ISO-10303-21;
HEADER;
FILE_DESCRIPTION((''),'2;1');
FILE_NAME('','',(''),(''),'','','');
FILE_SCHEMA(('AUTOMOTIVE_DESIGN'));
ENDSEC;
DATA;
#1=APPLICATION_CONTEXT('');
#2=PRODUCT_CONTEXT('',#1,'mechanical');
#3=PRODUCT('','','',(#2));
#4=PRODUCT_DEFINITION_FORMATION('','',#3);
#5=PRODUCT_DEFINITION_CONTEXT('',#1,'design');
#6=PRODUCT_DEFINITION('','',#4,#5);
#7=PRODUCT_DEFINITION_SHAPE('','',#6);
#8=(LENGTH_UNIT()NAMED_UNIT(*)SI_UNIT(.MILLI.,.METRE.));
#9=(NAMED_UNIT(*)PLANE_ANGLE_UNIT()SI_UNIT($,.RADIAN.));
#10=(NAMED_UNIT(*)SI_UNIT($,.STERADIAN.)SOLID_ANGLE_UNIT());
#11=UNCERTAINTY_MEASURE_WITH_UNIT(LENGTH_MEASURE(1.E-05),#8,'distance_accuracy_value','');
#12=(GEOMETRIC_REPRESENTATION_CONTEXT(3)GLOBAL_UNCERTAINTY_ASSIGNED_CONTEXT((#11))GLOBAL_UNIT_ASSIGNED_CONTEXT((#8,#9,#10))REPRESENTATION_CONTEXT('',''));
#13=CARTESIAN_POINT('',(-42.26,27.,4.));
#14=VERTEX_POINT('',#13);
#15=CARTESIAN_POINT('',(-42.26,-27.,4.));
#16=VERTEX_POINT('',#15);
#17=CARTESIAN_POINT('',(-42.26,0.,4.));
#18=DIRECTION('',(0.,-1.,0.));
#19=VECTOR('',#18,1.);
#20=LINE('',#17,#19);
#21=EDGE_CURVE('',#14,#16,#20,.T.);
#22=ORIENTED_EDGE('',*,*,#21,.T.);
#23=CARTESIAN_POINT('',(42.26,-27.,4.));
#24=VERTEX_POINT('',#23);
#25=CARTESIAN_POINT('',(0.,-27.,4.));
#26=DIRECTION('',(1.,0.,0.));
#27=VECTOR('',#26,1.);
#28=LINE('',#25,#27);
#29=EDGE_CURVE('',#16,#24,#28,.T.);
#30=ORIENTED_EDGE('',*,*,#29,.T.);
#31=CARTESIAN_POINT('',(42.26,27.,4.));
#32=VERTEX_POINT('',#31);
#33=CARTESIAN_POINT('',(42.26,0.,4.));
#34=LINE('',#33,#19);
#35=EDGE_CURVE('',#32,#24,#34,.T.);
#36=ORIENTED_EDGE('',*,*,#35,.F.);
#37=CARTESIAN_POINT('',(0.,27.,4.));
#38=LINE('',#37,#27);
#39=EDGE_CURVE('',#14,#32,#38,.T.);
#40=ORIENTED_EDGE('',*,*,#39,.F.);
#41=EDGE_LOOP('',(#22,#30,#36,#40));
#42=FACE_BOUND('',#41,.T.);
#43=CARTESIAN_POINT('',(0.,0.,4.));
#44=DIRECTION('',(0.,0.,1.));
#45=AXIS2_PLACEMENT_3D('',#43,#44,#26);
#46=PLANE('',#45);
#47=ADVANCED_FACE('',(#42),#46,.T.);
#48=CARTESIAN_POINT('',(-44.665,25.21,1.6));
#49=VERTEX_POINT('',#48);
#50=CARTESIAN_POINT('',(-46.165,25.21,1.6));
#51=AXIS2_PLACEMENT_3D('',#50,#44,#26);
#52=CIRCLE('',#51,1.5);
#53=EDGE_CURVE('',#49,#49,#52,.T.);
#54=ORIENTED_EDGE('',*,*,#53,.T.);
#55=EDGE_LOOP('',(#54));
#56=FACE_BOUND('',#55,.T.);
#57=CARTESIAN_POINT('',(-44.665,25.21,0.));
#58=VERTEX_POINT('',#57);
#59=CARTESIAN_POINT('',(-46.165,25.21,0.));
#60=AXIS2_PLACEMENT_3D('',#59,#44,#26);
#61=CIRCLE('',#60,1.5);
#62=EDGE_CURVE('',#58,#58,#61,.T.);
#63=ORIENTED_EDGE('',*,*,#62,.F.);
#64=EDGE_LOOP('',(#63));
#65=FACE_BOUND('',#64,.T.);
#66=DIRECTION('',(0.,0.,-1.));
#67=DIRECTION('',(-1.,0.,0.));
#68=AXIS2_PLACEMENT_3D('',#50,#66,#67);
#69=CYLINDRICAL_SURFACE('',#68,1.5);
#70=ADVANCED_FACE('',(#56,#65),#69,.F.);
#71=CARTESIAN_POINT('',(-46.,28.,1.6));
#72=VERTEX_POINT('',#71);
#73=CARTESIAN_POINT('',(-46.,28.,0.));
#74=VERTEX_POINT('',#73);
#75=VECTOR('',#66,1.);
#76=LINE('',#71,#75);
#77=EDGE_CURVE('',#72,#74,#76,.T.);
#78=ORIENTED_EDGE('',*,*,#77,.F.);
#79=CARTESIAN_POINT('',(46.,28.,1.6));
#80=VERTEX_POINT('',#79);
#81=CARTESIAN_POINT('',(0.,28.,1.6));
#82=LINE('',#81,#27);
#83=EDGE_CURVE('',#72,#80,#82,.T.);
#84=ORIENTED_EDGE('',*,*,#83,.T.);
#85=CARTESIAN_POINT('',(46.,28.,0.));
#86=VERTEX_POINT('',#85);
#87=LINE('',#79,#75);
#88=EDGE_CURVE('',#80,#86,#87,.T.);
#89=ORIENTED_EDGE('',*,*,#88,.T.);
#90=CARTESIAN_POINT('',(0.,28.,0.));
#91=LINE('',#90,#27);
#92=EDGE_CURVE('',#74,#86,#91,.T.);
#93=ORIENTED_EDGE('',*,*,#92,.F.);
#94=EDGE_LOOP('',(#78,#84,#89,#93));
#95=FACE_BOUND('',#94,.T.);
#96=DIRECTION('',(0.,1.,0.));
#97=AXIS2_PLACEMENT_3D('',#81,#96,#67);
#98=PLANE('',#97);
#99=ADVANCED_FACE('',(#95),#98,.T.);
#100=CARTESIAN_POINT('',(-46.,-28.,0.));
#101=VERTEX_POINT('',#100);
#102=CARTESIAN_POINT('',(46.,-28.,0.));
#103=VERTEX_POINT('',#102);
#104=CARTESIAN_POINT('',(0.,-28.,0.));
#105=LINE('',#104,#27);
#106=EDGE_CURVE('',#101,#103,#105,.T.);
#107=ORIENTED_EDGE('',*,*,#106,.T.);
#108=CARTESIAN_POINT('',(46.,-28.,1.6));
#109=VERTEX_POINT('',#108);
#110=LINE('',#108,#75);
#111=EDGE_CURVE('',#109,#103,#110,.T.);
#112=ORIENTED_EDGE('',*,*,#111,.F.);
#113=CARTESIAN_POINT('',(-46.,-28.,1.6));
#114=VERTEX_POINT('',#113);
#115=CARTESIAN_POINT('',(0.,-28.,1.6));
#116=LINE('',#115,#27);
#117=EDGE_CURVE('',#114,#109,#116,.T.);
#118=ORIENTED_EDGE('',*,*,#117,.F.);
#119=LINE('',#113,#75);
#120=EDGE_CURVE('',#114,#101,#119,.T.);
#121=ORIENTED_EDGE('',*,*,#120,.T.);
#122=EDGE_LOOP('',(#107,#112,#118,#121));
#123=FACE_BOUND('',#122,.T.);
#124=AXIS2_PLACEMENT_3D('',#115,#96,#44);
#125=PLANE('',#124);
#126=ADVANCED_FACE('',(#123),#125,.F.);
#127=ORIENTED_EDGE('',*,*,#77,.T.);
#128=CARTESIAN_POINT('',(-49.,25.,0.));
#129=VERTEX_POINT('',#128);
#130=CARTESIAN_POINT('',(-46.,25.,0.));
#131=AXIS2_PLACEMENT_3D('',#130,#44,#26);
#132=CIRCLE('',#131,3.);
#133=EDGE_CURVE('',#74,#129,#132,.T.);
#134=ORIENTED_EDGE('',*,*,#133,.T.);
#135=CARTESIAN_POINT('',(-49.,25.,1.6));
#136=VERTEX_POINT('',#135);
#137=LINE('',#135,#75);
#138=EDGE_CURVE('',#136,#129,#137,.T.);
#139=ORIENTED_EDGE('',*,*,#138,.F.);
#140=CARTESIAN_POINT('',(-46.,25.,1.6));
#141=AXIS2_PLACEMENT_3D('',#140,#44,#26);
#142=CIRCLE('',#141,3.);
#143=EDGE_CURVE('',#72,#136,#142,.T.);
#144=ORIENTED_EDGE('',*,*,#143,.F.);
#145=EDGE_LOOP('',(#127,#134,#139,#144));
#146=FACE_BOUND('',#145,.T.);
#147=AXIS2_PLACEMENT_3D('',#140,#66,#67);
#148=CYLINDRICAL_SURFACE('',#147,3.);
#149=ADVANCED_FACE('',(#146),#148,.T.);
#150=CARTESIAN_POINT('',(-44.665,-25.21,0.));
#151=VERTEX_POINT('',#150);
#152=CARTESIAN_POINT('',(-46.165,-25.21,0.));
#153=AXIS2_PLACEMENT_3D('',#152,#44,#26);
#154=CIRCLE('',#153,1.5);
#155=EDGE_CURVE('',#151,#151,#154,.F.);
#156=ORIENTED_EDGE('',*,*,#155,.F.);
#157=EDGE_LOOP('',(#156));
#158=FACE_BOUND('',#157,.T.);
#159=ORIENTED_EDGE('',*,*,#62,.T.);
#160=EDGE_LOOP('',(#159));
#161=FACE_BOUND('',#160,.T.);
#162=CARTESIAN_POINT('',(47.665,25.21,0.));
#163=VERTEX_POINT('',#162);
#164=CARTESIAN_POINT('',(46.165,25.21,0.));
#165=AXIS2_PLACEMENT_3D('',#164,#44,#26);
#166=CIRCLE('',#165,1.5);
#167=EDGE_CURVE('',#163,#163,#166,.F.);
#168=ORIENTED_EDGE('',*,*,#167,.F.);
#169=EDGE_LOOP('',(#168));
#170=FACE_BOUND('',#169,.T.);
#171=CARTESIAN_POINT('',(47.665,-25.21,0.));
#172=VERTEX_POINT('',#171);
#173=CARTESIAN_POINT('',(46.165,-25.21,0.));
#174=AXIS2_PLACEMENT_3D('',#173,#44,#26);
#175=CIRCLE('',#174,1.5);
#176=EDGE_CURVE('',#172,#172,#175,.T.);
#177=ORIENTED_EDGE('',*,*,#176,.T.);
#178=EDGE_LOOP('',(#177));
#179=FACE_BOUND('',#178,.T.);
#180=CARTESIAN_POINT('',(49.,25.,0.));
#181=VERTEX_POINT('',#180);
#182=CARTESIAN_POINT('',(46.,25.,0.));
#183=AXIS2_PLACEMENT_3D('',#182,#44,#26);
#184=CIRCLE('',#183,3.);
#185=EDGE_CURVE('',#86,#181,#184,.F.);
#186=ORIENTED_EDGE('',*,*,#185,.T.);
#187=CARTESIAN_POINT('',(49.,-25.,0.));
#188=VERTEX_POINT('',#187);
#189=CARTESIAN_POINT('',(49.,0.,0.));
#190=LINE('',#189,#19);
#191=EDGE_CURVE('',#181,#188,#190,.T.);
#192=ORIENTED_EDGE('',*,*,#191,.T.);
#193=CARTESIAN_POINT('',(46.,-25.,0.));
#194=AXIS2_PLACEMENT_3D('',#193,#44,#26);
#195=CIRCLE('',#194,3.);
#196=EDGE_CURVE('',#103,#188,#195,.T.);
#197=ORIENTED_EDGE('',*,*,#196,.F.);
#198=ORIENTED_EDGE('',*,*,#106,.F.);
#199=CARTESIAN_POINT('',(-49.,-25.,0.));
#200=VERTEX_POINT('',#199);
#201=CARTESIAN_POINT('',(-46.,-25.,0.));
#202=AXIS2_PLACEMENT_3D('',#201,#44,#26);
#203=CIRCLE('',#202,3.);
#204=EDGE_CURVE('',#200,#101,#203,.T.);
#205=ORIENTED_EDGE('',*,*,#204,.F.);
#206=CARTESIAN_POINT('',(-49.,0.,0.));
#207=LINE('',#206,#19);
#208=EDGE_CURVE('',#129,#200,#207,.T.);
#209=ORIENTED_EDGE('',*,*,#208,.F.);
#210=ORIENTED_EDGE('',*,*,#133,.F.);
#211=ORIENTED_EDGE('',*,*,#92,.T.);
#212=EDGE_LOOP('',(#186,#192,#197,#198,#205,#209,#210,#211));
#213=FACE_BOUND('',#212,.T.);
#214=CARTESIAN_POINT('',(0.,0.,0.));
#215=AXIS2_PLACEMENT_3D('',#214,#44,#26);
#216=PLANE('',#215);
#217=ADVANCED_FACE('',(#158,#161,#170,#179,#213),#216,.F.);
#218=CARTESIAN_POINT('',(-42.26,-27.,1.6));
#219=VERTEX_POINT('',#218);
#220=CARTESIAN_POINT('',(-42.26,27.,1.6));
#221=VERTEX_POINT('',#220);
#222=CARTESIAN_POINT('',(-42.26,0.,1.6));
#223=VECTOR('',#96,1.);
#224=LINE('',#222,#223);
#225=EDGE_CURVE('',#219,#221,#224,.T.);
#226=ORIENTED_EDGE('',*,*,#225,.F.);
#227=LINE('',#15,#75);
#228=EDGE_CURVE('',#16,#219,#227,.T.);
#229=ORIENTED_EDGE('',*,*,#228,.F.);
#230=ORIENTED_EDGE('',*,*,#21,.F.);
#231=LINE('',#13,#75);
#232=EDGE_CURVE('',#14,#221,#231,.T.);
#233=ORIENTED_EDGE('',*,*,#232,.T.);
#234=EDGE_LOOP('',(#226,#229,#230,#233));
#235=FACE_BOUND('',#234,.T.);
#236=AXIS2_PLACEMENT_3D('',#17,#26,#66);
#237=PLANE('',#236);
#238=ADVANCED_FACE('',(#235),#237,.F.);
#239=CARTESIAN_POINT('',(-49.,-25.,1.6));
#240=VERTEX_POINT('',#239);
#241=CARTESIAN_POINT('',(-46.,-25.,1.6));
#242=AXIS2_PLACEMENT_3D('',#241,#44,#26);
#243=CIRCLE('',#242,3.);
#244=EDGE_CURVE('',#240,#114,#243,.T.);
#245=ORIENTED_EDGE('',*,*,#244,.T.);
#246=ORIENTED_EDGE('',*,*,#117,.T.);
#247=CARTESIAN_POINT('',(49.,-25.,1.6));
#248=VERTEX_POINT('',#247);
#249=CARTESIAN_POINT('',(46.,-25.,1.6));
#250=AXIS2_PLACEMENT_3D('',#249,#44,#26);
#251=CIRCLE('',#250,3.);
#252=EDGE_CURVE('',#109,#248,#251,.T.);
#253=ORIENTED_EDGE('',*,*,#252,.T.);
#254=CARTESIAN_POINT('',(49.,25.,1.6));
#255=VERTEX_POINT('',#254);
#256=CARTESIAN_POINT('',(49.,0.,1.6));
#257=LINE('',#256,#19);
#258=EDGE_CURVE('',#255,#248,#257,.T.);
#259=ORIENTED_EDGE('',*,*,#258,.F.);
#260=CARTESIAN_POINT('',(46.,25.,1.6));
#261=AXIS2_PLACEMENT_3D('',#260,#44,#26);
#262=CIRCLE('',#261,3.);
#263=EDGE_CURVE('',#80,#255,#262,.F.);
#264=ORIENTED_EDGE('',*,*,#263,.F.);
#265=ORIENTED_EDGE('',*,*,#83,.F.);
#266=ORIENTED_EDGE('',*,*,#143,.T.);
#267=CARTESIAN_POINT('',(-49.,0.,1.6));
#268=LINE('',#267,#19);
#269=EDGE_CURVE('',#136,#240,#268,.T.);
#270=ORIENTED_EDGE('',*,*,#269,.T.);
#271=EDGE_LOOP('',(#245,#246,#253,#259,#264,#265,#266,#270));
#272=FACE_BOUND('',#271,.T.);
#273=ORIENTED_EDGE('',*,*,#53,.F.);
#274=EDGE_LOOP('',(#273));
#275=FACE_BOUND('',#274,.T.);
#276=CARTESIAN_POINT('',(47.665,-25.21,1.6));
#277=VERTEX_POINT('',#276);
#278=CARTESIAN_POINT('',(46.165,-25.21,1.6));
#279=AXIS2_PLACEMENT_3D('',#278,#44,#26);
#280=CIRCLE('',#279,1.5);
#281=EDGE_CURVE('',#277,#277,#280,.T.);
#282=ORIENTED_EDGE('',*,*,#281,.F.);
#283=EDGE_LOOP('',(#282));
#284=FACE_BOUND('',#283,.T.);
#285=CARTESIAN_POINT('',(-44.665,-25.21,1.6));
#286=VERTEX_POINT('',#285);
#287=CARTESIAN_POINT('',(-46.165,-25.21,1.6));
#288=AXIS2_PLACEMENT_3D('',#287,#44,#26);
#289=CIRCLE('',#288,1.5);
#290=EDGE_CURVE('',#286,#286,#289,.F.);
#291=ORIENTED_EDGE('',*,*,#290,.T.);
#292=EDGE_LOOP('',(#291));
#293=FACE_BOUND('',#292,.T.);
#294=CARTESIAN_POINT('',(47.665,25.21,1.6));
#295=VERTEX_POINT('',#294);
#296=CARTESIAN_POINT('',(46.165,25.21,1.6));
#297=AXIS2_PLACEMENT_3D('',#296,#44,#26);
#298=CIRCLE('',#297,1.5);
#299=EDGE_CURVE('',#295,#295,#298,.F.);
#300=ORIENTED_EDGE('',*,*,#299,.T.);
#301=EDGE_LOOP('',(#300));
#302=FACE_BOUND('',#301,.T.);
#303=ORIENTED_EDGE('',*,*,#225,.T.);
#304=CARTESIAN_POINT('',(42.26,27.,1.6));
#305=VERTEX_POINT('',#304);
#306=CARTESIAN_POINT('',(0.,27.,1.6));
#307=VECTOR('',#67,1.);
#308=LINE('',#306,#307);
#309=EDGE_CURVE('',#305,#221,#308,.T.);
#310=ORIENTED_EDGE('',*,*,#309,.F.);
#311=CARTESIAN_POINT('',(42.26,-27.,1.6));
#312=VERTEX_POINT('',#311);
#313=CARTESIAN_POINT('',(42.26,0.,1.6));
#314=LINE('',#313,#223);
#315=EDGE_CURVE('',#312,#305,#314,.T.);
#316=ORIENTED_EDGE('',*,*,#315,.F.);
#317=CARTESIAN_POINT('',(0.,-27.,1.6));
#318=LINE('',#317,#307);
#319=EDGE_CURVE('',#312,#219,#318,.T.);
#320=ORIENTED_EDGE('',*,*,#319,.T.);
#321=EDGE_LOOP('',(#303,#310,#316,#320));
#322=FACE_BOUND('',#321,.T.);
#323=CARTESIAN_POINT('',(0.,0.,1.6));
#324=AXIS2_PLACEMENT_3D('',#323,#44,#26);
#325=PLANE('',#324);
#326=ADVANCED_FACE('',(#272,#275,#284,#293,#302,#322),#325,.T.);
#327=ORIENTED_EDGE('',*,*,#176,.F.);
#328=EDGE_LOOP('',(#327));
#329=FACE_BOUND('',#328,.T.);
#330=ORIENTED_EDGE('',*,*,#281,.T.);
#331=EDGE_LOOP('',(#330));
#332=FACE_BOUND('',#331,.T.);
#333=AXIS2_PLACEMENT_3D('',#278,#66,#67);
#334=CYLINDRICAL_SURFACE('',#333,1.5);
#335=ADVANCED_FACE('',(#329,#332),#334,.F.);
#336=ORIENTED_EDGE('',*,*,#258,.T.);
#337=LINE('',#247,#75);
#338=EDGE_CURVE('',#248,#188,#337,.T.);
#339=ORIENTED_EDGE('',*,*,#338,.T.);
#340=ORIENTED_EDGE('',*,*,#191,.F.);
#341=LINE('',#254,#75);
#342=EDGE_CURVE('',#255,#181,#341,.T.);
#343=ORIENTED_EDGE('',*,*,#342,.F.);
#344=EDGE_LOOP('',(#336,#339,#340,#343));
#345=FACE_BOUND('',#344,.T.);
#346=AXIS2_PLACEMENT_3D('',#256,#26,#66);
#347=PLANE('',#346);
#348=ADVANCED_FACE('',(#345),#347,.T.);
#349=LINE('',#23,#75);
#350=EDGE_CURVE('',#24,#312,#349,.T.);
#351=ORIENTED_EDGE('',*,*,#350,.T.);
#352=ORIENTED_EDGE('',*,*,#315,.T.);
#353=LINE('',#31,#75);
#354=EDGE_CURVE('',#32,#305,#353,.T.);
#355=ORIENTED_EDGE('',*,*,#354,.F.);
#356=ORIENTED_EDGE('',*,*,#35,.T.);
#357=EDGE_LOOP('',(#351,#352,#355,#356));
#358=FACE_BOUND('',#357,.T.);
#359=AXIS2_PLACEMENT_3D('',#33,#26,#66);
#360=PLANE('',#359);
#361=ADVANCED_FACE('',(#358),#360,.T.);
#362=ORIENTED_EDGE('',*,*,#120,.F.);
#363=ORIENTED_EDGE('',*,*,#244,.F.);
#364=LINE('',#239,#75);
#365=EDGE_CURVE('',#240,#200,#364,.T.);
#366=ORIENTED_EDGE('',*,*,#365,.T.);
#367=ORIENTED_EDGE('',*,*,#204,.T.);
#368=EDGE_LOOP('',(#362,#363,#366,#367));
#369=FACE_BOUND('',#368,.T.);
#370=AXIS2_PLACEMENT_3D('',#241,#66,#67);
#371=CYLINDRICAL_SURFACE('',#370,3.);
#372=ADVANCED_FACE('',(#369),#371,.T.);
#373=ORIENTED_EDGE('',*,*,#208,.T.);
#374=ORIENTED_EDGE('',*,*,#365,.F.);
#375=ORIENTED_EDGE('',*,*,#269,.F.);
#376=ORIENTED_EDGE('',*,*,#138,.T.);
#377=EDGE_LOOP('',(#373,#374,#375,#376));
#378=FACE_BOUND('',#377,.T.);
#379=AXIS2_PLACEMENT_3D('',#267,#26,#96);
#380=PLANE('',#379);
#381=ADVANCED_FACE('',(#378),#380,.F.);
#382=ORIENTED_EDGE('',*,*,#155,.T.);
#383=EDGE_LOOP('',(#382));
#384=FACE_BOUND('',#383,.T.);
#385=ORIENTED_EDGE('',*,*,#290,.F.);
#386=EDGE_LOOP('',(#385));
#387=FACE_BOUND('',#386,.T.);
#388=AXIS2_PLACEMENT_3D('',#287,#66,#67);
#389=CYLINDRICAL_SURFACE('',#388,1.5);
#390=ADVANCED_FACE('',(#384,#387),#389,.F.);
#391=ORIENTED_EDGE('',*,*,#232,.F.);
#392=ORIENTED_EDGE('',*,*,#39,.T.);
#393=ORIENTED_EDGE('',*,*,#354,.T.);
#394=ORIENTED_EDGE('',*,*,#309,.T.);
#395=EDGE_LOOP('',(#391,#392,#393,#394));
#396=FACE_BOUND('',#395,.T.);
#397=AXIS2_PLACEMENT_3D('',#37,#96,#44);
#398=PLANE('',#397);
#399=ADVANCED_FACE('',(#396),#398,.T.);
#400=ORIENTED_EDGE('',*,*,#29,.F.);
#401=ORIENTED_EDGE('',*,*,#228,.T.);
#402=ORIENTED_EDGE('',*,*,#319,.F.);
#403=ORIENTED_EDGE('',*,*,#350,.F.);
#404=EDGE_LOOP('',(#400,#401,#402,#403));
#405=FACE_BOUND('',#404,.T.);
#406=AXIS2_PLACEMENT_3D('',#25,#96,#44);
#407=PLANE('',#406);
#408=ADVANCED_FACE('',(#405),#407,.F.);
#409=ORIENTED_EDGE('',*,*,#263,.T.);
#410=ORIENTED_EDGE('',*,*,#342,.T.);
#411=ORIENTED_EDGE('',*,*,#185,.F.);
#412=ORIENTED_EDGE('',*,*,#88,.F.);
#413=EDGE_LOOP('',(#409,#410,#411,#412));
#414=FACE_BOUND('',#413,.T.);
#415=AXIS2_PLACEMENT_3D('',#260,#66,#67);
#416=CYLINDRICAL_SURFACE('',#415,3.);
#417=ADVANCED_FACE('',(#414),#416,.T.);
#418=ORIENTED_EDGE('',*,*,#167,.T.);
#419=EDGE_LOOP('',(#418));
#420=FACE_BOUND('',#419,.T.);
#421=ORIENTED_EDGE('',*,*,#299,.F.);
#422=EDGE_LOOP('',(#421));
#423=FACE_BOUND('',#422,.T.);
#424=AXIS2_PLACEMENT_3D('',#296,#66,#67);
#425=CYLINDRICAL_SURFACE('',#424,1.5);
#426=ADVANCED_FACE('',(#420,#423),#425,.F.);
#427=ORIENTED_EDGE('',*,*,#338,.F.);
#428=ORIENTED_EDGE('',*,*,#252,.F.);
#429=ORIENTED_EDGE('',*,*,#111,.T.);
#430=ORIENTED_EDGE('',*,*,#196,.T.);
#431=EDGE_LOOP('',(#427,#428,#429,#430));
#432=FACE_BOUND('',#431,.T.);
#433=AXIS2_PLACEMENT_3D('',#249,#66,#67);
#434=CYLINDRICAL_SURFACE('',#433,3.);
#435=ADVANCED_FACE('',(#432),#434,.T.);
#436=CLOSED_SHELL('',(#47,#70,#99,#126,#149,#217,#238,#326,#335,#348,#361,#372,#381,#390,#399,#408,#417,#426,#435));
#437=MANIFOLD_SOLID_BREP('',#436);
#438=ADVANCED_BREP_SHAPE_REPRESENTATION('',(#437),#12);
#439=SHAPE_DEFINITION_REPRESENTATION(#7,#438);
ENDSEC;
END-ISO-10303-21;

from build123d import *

# Parameters (mm, degrees)
ESBO_O1_R                = 1.5
RESSALTO_EXTRUS_O1_DEPTH = 1.6
ESBO_O1_3_W              = 84.52
ESBO_O1_3_H              = 54
RESSALTO_EXTRUS_O2_DEPTH = 4


with BuildPart() as part:
    # Esboço1 → Ressalto-extrusão1 (new body)
    with BuildSketch(Plane.XY):
        with BuildLine():
            Line((46, 28), (-46, 28))
            ThreePointArc((-46, 28), (-48.121320344, 27.121320344), (-49, 25))
            Line((-49, 25), (-49, -25))
            ThreePointArc((-49, -25), (-48.121320344, -27.121320344), (-46, -28))
            Line((-46, -28), (46, -28))
            ThreePointArc((46, -28), (48.121320344, -27.121320344), (49, -25))
            Line((49, -25), (49, 25))
            ThreePointArc((49, 25), (48.121320344, 27.121320344), (46, 28))
        make_face()
        with Locations((-46.165, -25.21)):
            Circle(ESBO_O1_R, mode=Mode.SUBTRACT)
        with Locations((46.165, -25.21)):
            Circle(ESBO_O1_R, mode=Mode.SUBTRACT)
        with Locations((-46.165, 25.21)):
            Circle(ESBO_O1_R, mode=Mode.SUBTRACT)
        with Locations((46.165, 25.21)):
            Circle(ESBO_O1_R, mode=Mode.SUBTRACT)
    extrude(amount=RESSALTO_EXTRUS_O1_DEPTH)

    # Esboço1<3> → Ressalto-extrusão2 (add)
    with BuildSketch(Plane.XY):
        Rectangle(ESBO_O1_3_W, ESBO_O1_3_H)
    extrude(amount=RESSALTO_EXTRUS_O2_DEPTH)


solid = part.part
